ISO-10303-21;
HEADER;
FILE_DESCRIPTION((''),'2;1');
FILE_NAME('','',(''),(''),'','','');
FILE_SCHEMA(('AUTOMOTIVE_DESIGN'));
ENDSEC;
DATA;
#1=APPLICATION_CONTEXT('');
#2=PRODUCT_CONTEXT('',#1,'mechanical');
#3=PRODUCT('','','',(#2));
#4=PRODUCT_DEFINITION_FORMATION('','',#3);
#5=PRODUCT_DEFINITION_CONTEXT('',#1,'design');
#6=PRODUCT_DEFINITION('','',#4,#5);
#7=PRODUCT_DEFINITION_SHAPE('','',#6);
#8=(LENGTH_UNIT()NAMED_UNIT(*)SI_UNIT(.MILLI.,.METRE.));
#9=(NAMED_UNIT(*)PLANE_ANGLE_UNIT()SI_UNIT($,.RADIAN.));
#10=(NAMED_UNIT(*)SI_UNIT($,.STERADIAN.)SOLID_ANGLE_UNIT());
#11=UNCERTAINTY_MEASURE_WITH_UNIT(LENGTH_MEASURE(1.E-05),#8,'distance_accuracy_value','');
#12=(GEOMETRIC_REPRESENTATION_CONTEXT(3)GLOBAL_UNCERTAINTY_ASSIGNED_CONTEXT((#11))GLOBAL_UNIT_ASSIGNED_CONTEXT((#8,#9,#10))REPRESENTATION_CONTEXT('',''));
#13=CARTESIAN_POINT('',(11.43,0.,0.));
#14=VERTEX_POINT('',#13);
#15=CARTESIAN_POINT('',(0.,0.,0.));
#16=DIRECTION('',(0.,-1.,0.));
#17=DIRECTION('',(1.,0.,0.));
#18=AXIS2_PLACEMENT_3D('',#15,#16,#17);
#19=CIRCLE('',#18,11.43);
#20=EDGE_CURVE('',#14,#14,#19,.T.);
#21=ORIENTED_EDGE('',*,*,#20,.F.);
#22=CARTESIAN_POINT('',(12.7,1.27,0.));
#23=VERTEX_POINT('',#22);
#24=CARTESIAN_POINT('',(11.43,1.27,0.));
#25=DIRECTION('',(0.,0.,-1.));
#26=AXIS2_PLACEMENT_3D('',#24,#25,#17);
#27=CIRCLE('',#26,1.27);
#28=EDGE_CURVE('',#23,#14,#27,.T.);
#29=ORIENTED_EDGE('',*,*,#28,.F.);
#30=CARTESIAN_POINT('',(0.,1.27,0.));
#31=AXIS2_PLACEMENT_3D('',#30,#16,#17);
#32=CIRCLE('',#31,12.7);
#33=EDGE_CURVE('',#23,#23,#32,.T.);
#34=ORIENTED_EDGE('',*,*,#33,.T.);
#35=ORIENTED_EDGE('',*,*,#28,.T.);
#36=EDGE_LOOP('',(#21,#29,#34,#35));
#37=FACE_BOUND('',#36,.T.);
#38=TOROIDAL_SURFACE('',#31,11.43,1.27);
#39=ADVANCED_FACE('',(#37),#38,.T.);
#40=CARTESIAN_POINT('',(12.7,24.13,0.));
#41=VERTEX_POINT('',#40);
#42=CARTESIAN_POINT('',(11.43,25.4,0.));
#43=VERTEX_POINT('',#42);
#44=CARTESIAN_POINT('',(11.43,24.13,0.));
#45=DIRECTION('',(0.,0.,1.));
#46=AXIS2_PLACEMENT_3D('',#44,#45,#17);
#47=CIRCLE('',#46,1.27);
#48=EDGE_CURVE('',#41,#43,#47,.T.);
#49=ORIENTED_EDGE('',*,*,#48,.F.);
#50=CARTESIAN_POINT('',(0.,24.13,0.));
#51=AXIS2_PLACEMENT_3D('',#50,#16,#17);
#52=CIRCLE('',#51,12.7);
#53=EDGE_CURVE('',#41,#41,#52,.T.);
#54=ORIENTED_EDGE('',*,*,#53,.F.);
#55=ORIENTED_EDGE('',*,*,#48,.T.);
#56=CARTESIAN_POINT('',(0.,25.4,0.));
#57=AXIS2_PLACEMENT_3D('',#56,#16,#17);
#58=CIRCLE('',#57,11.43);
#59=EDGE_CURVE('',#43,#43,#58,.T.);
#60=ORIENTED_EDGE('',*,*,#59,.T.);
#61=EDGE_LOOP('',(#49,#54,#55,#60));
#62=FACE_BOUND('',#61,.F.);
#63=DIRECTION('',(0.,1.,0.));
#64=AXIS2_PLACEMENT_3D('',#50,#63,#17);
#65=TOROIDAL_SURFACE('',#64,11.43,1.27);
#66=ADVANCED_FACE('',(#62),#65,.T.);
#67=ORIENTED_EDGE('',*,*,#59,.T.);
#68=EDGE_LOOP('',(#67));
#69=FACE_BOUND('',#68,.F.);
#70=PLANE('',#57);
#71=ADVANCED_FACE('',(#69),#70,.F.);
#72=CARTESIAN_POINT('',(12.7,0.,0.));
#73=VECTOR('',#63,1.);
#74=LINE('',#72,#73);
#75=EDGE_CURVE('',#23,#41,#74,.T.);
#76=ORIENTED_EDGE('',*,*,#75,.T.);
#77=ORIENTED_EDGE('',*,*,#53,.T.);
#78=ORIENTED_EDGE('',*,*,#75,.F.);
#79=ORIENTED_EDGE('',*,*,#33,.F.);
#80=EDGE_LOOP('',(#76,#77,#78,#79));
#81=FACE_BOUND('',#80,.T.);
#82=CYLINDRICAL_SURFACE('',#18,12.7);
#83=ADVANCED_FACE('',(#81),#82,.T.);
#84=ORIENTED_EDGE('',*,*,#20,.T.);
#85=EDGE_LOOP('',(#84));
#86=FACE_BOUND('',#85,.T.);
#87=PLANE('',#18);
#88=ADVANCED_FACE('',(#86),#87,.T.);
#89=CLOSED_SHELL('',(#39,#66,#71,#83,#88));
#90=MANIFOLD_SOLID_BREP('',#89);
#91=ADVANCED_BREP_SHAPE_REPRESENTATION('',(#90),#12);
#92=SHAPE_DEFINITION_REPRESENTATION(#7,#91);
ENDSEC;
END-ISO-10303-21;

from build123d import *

# Parameters (mm, degrees)
F0_R     = 12.7
F1_DEPTH = 25.4
F2_R     = 1.27


with BuildPart() as f1:
    # F0 (on Front) → F1 (new body)
    with BuildSketch(Plane.XZ):
        Circle(F0_R)
    extrude(amount=-F1_DEPTH)

    # F2
    f2_edges = [f1.edges().sort_by_distance(p)[0] for p in [
        (-12.7, 0, 0),
        (-12.7, 25.4, 0),
    ]]
    fillet(f2_edges, radius=F2_R)


solid = f1.part
